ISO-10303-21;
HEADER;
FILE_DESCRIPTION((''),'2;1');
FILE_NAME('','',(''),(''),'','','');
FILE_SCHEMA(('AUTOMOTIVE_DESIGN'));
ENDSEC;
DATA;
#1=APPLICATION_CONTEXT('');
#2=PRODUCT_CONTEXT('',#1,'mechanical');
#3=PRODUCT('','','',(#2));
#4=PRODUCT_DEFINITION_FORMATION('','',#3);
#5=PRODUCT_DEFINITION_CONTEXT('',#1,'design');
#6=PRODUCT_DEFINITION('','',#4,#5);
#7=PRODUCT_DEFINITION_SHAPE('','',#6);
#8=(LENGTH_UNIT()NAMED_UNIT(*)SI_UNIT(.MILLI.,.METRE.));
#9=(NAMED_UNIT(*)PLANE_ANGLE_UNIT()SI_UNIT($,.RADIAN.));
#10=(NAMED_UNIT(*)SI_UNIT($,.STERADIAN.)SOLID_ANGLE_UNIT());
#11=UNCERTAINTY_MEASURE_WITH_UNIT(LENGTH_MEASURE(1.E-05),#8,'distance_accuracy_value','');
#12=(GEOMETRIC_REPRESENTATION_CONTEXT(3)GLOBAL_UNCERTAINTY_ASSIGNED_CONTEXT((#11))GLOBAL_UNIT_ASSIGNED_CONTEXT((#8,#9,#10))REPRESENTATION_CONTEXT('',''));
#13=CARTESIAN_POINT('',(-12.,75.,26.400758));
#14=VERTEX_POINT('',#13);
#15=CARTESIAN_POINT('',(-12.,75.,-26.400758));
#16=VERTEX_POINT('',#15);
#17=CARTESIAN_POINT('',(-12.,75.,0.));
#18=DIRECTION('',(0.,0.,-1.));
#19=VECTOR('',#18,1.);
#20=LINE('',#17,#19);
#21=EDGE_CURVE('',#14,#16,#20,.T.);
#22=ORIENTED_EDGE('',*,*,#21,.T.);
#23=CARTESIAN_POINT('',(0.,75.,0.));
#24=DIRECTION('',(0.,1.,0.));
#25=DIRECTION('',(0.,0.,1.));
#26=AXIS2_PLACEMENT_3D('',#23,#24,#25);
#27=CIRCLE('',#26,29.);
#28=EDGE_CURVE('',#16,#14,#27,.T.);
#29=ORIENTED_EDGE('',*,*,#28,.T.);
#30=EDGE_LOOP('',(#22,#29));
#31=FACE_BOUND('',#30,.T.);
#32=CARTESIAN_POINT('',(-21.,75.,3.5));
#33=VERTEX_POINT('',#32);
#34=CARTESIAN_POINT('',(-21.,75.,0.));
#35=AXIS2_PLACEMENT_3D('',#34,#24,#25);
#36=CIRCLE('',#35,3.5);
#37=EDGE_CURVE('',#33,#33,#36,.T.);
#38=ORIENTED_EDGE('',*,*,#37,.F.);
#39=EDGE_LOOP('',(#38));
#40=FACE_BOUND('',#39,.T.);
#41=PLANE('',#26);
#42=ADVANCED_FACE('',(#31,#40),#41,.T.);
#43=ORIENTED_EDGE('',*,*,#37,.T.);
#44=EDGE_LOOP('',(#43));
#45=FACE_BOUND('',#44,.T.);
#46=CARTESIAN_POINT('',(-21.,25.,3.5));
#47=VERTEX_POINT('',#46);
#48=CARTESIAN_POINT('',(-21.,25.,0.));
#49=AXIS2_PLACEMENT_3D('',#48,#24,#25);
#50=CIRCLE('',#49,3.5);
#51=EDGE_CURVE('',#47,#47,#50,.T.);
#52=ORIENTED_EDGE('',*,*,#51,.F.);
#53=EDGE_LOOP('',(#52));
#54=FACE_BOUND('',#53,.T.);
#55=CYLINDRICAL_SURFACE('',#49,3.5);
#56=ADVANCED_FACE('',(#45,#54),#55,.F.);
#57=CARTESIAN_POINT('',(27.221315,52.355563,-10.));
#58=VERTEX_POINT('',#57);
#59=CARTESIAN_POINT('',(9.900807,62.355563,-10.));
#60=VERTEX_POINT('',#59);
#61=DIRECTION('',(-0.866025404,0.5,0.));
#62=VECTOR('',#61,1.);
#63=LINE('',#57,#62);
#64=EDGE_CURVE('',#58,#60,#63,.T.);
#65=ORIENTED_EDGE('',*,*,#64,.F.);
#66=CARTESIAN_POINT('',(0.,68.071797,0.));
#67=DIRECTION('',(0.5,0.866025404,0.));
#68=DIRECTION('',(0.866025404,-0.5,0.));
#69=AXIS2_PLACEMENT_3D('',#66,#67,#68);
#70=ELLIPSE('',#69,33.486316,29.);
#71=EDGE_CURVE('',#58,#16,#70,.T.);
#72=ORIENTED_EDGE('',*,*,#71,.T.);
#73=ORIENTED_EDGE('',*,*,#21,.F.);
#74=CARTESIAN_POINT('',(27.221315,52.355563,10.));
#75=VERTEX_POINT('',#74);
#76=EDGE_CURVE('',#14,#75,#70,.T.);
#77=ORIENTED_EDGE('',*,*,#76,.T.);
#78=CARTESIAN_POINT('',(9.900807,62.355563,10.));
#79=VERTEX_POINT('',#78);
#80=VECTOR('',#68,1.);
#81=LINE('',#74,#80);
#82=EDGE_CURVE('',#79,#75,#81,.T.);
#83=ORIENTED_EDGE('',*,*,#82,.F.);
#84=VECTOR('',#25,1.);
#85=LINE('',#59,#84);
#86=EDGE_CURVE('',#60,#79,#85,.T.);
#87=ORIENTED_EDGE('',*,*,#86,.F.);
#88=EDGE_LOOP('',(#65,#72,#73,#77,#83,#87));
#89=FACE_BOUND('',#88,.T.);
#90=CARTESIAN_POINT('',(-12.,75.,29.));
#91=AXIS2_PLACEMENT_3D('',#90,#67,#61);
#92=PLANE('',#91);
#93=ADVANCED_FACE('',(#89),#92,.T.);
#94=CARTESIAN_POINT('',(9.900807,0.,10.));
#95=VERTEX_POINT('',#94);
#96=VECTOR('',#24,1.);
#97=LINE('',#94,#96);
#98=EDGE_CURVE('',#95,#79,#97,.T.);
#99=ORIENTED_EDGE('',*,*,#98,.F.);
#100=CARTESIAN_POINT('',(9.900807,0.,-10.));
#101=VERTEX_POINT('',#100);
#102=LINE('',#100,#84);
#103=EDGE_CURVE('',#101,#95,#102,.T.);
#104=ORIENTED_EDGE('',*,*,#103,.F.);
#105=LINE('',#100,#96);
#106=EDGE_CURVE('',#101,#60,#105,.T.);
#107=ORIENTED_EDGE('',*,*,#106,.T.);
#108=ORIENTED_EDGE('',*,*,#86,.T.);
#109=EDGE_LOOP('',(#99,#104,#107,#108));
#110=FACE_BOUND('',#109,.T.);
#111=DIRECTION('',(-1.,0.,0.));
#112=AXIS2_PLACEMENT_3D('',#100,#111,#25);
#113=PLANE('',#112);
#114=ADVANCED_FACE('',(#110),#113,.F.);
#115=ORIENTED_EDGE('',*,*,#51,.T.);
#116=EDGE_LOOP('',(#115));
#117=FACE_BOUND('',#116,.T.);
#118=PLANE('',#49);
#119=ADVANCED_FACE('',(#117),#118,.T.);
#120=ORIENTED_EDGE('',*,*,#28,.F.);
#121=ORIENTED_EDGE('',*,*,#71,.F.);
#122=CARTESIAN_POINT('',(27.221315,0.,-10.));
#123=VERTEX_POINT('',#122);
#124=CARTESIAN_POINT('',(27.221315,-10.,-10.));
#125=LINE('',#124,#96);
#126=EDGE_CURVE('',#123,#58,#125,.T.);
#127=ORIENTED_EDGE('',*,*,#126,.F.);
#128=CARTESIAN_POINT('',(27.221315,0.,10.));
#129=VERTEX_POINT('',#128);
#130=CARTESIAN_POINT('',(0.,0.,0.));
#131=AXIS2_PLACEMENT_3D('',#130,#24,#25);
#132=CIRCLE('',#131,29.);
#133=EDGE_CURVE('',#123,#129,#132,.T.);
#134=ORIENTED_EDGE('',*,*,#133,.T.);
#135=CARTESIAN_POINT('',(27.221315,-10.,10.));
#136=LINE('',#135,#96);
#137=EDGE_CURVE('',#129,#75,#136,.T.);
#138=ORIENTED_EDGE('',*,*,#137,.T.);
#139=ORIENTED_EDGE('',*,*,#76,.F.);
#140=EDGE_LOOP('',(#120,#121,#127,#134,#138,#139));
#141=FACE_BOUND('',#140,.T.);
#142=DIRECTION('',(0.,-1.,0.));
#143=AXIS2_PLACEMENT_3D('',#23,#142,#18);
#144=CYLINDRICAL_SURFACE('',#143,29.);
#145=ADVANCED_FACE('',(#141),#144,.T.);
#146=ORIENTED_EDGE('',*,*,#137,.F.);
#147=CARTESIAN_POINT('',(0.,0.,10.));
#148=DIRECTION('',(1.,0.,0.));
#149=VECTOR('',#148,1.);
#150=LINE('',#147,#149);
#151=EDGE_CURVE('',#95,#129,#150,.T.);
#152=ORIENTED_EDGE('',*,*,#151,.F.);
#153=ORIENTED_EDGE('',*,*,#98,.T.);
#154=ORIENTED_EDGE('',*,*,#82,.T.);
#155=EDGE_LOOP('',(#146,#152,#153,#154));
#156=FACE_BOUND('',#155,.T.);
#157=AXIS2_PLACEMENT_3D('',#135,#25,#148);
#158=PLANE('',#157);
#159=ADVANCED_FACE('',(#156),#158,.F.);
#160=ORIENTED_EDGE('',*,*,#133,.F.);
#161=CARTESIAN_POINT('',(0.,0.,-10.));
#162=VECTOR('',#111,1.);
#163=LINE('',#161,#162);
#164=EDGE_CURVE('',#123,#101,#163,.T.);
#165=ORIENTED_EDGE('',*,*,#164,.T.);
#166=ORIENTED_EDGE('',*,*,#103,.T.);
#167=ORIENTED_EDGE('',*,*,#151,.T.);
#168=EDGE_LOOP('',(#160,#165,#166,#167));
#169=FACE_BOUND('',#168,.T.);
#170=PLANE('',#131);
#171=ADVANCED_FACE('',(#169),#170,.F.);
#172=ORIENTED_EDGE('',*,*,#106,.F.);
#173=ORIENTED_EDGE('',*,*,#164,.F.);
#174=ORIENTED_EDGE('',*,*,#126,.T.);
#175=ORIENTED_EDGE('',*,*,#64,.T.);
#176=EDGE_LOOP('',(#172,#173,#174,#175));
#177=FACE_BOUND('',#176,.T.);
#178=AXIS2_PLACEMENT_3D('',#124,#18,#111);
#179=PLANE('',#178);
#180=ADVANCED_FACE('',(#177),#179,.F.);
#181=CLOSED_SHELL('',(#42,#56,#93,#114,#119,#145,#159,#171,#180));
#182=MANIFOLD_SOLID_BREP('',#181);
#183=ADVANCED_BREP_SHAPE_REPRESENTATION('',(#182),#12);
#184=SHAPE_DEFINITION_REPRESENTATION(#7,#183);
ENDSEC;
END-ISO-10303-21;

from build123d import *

# Parameters (mm, degrees)
SKETCH1_R               = 29
BOSS_EXTRUDE1_DEPTH     = 75
SKETCH3_R               = 3.5
BOSS_EXTRUDE3_DEPTH     = 50
SKETCH3_4_R             = 3.5
CUT_EXTRUDE1_DEPTH      = 50
CUT_EXTRUDE2_DEPTH      = 30
CUT_EXTRUDE2_DEPTH_BACK = 30
CUT_EXTRUDE4_DEPTH      = 85.969655115


with BuildPart() as part:
    # Sketch1 → Boss-Extrude1 (new body)
    with BuildSketch(Plane(origin=(0, 0, 0), x_dir=(1, 0, 0), z_dir=(0, 1, 0))):
        Circle(SKETCH1_R)
    extrude(amount=BOSS_EXTRUDE1_DEPTH)

    # Sketch3 → Boss-Extrude3 (add)
    with BuildSketch(Plane(origin=(0, 75, 0), x_dir=(1, 0, 0), z_dir=(0, 1, 0))):
        with Locations((-21, 0)):
            Circle(SKETCH3_R)
    extrude(amount=-BOSS_EXTRUDE3_DEPTH)

    # Sketch3<4> → Cut-Extrude1 (cut)
    with BuildSketch(Plane(origin=(0, 75, 0), x_dir=(1, 0, 0), z_dir=(0, 1, 0))):
        with Locations((-21, 0)):
            Circle(SKETCH3_4_R)
    extrude(amount=-CUT_EXTRUDE1_DEPTH, mode=Mode.SUBTRACT)

    # Sketch9 → Cut-Extrude2 (cut, two sides)
    with BuildSketch(Plane.XY) as cut_extrude2_sk:
        Polygon((-12, 75), (29, 75), (29, 51.328638963), align=None)
    extrude(amount=CUT_EXTRUDE2_DEPTH, mode=Mode.SUBTRACT)
    extrude(cut_extrude2_sk.sketch, amount=-CUT_EXTRUDE2_DEPTH_BACK, mode=Mode.SUBTRACT)

    # Sketch18 → Cut-Extrude4 (cut, through all, along a direction that is not the sketch's normal)
    with BuildSketch(Plane(origin=(29.475952642, 51.053847577, 0), x_dir=(0.866025404, -0.5, 0), z_dir=(0.5, 0.866025404, 0))):
        with BuildLine():
            Line((-2.603431094, 10), (-22.603431094, 10))
            Line((-22.603431094, 10), (-22.603431094, -10))
            Line((-22.603431094, -10), (-2.603431094, -10))
            add(Edge.make_bspline(
                [(-2.603431094, -10), (1.638467326, 0), (-2.603431094, 10)],
                knots=[5.931130208, 5.931130208, 5.931130208, 6.635240406, 6.635240406, 6.635240406], degree=2, weights=[1, 0.938666041, 1]))
        make_face()
    extrude(amount=-CUT_EXTRUDE4_DEPTH, dir=(0, 1, 0), mode=Mode.SUBTRACT)


solid = part.part
